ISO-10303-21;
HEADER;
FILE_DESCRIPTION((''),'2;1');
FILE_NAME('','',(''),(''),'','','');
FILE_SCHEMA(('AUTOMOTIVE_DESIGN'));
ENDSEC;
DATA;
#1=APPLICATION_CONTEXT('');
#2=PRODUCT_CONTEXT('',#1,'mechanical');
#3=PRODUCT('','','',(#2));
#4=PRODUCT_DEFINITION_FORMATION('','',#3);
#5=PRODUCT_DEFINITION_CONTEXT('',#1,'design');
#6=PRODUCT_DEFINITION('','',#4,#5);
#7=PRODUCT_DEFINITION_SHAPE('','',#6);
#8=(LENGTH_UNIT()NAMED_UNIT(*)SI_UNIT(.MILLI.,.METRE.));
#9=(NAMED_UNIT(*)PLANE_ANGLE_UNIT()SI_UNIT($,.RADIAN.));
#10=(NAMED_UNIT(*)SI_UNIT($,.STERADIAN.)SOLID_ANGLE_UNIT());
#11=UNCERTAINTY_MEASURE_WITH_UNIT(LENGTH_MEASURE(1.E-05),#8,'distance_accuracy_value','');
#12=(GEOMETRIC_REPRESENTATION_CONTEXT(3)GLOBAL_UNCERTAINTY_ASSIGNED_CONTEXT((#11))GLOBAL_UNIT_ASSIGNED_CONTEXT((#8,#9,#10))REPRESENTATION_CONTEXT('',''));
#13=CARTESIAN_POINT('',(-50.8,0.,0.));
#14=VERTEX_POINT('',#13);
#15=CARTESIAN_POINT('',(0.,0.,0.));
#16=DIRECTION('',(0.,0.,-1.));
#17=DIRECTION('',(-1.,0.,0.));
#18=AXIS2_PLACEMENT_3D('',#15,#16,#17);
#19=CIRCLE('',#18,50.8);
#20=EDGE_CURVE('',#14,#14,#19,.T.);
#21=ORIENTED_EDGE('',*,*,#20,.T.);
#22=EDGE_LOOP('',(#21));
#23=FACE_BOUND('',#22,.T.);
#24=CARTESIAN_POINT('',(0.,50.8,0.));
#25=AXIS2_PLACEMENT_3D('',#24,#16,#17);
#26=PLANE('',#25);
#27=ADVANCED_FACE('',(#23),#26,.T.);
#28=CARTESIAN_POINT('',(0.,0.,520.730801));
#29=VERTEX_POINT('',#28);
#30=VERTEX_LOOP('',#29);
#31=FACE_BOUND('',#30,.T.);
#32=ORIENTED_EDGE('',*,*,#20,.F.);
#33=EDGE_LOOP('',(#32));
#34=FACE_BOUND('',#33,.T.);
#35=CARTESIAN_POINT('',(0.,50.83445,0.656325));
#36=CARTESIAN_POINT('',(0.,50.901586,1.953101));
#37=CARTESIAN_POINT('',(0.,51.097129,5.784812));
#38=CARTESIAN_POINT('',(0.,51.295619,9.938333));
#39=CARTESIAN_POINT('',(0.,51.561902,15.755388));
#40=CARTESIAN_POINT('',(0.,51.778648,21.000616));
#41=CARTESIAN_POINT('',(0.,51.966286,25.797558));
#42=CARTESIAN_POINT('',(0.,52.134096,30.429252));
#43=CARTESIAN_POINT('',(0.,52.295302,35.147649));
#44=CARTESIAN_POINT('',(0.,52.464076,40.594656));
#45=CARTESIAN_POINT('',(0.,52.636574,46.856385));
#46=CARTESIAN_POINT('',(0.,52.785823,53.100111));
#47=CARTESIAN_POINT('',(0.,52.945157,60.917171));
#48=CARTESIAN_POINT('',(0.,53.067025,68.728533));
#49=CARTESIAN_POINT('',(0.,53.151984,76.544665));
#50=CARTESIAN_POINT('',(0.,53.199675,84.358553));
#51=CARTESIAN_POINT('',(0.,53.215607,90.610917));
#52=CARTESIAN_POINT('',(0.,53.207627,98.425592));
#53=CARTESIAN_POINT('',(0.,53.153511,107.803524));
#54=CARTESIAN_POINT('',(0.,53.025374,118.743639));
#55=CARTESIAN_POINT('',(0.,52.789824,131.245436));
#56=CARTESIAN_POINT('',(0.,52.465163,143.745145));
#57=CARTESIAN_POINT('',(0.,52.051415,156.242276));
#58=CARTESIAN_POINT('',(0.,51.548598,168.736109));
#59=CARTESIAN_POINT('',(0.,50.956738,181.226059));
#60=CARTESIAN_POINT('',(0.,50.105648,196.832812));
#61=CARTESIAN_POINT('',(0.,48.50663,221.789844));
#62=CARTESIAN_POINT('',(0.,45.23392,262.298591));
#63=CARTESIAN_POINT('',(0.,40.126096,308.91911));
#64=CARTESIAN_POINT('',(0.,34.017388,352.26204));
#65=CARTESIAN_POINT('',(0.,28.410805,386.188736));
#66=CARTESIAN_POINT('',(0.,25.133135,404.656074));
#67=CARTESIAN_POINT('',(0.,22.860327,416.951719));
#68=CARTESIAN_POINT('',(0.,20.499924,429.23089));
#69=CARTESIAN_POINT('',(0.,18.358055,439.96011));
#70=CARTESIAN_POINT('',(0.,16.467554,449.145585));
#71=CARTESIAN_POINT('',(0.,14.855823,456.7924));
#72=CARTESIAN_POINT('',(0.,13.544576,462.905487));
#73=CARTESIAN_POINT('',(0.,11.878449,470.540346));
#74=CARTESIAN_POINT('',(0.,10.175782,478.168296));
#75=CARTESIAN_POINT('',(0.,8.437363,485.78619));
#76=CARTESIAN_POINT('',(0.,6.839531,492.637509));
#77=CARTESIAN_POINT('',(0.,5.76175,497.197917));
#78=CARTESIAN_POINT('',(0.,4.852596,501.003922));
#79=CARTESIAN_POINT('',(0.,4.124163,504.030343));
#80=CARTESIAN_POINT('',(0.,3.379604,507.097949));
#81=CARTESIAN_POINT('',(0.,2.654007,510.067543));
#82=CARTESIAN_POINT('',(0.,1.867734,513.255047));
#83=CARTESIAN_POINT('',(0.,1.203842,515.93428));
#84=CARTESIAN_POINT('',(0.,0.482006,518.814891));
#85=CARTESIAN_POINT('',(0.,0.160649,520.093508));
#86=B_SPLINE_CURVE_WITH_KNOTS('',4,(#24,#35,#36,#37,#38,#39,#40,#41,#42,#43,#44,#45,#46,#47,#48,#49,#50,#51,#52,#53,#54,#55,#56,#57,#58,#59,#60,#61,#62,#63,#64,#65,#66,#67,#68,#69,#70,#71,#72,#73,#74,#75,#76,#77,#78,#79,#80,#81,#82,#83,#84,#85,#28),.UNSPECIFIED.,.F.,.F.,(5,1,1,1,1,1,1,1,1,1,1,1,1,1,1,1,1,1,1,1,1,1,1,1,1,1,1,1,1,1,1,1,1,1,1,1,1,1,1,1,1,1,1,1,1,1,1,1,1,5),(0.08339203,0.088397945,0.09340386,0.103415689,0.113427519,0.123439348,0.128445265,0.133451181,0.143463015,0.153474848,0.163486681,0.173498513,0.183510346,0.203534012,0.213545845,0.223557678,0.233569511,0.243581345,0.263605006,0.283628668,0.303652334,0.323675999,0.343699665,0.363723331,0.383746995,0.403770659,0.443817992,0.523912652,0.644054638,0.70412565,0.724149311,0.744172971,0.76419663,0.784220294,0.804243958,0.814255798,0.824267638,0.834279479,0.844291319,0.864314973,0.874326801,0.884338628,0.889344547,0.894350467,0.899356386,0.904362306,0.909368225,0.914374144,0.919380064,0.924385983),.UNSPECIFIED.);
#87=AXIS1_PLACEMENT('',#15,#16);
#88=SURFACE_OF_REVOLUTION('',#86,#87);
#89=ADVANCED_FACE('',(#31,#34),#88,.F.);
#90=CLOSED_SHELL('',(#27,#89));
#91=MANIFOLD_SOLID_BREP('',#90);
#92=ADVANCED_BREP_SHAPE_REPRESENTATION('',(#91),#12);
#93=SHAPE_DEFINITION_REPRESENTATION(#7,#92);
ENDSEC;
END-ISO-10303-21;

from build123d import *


with BuildPart() as part:
    # Sketch1 → Revolve1 (revolve)
    with BuildSketch(Plane(origin=(0, 0, 0), x_dir=(0, 0, -1), z_dir=(1, 0, 0))):
        with BuildLine():
            Line((0, 50.8), (0, 0))
            Line((0, 0), (-520.730801485, 0))
            add(Edge.make_bspline(
                [(-520.730801485, 0), (-520.093508427, 0.160648958), (-518.814891085, 0.482005609), (-515.934279565, 1.203842168), (-513.255046964, 1.867734188), (-510.067543281, 2.654006601), (-507.097949039, 3.379603733), (-504.030343387, 4.124163047), (-501.003922124, 4.85259613), (-497.197916542, 5.761749618), (-492.63750935, 6.839531368), (-485.786190065, 8.43736344), (-478.168296198, 10.175781809), (-470.540346312, 11.878448548), (-462.905486596, 13.544576368), (-456.792400492, 14.855823096), (-449.145585324, 16.467553727), (-439.960110351, 18.358054772), (-429.230890156, 20.49992397), (-416.951719189, 22.860326745), (-404.656073835, 25.133134866), (-386.188736482, 28.410805423), (-352.262040317, 34.01738786), (-308.919110013, 40.12609613), (-262.298591105, 45.233919616), (-221.789843552, 48.50662998), (-196.832812474, 50.105648187), (-181.226058866, 50.95673846), (-168.73610878, 51.548597505), (-156.242276319, 52.051414954), (-143.745144795, 52.465162548), (-131.245436, 52.789823751), (-118.743639036, 53.02537442), (-107.803524448, 53.153511137), (-98.425592114, 53.207626969), (-90.610917491, 53.215606741), (-84.358552701, 53.199674985), (-76.544665397, 53.151984168), (-68.728533355, 53.067024784), (-60.91717148, 52.945156536), (-53.100110818, 52.785822844), (-46.85638542, 52.6365744), (-40.594655893, 52.464076333), (-35.147649326, 52.295302247), (-30.429252213, 52.134096068), (-25.797558031, 51.966286123), (-21.000615579, 51.77864751), (-15.755387558, 51.561901756), (-9.9383327, 51.295618836), (-5.784812239, 51.097129408), (-1.953101165, 50.901586037), (-0.656325331, 50.834449658), (0, 50.8)],
                knots=[0.08339203, 0.08339203, 0.08339203, 0.08339203, 0.08339203, 0.08839795, 0.093403869, 0.098409789, 0.103415708, 0.108421628, 0.113427547, 0.118433466, 0.123439386, 0.133451213, 0.14346304, 0.163486695, 0.173498535, 0.183510375, 0.193522216, 0.203534056, 0.22355772, 0.243581383, 0.263605043, 0.283628702, 0.303652363, 0.363723376, 0.483865362, 0.563960022, 0.604007355, 0.624031019, 0.644054683, 0.664078349, 0.684102014, 0.70412568, 0.724149345, 0.744173007, 0.764196669, 0.774208502, 0.784220335, 0.794232169, 0.804244002, 0.824267667, 0.8342795, 0.844291333, 0.854303166, 0.864314999, 0.874326832, 0.879332749, 0.884338665, 0.894350495, 0.904362324, 0.914374154, 0.919380069, 0.924385983, 0.924385983, 0.924385983, 0.924385983, 0.924385983], degree=4))
        make_face()
    revolve(axis=Axis((0, 0, 0), (0, 0, 1)))


solid = part.part
